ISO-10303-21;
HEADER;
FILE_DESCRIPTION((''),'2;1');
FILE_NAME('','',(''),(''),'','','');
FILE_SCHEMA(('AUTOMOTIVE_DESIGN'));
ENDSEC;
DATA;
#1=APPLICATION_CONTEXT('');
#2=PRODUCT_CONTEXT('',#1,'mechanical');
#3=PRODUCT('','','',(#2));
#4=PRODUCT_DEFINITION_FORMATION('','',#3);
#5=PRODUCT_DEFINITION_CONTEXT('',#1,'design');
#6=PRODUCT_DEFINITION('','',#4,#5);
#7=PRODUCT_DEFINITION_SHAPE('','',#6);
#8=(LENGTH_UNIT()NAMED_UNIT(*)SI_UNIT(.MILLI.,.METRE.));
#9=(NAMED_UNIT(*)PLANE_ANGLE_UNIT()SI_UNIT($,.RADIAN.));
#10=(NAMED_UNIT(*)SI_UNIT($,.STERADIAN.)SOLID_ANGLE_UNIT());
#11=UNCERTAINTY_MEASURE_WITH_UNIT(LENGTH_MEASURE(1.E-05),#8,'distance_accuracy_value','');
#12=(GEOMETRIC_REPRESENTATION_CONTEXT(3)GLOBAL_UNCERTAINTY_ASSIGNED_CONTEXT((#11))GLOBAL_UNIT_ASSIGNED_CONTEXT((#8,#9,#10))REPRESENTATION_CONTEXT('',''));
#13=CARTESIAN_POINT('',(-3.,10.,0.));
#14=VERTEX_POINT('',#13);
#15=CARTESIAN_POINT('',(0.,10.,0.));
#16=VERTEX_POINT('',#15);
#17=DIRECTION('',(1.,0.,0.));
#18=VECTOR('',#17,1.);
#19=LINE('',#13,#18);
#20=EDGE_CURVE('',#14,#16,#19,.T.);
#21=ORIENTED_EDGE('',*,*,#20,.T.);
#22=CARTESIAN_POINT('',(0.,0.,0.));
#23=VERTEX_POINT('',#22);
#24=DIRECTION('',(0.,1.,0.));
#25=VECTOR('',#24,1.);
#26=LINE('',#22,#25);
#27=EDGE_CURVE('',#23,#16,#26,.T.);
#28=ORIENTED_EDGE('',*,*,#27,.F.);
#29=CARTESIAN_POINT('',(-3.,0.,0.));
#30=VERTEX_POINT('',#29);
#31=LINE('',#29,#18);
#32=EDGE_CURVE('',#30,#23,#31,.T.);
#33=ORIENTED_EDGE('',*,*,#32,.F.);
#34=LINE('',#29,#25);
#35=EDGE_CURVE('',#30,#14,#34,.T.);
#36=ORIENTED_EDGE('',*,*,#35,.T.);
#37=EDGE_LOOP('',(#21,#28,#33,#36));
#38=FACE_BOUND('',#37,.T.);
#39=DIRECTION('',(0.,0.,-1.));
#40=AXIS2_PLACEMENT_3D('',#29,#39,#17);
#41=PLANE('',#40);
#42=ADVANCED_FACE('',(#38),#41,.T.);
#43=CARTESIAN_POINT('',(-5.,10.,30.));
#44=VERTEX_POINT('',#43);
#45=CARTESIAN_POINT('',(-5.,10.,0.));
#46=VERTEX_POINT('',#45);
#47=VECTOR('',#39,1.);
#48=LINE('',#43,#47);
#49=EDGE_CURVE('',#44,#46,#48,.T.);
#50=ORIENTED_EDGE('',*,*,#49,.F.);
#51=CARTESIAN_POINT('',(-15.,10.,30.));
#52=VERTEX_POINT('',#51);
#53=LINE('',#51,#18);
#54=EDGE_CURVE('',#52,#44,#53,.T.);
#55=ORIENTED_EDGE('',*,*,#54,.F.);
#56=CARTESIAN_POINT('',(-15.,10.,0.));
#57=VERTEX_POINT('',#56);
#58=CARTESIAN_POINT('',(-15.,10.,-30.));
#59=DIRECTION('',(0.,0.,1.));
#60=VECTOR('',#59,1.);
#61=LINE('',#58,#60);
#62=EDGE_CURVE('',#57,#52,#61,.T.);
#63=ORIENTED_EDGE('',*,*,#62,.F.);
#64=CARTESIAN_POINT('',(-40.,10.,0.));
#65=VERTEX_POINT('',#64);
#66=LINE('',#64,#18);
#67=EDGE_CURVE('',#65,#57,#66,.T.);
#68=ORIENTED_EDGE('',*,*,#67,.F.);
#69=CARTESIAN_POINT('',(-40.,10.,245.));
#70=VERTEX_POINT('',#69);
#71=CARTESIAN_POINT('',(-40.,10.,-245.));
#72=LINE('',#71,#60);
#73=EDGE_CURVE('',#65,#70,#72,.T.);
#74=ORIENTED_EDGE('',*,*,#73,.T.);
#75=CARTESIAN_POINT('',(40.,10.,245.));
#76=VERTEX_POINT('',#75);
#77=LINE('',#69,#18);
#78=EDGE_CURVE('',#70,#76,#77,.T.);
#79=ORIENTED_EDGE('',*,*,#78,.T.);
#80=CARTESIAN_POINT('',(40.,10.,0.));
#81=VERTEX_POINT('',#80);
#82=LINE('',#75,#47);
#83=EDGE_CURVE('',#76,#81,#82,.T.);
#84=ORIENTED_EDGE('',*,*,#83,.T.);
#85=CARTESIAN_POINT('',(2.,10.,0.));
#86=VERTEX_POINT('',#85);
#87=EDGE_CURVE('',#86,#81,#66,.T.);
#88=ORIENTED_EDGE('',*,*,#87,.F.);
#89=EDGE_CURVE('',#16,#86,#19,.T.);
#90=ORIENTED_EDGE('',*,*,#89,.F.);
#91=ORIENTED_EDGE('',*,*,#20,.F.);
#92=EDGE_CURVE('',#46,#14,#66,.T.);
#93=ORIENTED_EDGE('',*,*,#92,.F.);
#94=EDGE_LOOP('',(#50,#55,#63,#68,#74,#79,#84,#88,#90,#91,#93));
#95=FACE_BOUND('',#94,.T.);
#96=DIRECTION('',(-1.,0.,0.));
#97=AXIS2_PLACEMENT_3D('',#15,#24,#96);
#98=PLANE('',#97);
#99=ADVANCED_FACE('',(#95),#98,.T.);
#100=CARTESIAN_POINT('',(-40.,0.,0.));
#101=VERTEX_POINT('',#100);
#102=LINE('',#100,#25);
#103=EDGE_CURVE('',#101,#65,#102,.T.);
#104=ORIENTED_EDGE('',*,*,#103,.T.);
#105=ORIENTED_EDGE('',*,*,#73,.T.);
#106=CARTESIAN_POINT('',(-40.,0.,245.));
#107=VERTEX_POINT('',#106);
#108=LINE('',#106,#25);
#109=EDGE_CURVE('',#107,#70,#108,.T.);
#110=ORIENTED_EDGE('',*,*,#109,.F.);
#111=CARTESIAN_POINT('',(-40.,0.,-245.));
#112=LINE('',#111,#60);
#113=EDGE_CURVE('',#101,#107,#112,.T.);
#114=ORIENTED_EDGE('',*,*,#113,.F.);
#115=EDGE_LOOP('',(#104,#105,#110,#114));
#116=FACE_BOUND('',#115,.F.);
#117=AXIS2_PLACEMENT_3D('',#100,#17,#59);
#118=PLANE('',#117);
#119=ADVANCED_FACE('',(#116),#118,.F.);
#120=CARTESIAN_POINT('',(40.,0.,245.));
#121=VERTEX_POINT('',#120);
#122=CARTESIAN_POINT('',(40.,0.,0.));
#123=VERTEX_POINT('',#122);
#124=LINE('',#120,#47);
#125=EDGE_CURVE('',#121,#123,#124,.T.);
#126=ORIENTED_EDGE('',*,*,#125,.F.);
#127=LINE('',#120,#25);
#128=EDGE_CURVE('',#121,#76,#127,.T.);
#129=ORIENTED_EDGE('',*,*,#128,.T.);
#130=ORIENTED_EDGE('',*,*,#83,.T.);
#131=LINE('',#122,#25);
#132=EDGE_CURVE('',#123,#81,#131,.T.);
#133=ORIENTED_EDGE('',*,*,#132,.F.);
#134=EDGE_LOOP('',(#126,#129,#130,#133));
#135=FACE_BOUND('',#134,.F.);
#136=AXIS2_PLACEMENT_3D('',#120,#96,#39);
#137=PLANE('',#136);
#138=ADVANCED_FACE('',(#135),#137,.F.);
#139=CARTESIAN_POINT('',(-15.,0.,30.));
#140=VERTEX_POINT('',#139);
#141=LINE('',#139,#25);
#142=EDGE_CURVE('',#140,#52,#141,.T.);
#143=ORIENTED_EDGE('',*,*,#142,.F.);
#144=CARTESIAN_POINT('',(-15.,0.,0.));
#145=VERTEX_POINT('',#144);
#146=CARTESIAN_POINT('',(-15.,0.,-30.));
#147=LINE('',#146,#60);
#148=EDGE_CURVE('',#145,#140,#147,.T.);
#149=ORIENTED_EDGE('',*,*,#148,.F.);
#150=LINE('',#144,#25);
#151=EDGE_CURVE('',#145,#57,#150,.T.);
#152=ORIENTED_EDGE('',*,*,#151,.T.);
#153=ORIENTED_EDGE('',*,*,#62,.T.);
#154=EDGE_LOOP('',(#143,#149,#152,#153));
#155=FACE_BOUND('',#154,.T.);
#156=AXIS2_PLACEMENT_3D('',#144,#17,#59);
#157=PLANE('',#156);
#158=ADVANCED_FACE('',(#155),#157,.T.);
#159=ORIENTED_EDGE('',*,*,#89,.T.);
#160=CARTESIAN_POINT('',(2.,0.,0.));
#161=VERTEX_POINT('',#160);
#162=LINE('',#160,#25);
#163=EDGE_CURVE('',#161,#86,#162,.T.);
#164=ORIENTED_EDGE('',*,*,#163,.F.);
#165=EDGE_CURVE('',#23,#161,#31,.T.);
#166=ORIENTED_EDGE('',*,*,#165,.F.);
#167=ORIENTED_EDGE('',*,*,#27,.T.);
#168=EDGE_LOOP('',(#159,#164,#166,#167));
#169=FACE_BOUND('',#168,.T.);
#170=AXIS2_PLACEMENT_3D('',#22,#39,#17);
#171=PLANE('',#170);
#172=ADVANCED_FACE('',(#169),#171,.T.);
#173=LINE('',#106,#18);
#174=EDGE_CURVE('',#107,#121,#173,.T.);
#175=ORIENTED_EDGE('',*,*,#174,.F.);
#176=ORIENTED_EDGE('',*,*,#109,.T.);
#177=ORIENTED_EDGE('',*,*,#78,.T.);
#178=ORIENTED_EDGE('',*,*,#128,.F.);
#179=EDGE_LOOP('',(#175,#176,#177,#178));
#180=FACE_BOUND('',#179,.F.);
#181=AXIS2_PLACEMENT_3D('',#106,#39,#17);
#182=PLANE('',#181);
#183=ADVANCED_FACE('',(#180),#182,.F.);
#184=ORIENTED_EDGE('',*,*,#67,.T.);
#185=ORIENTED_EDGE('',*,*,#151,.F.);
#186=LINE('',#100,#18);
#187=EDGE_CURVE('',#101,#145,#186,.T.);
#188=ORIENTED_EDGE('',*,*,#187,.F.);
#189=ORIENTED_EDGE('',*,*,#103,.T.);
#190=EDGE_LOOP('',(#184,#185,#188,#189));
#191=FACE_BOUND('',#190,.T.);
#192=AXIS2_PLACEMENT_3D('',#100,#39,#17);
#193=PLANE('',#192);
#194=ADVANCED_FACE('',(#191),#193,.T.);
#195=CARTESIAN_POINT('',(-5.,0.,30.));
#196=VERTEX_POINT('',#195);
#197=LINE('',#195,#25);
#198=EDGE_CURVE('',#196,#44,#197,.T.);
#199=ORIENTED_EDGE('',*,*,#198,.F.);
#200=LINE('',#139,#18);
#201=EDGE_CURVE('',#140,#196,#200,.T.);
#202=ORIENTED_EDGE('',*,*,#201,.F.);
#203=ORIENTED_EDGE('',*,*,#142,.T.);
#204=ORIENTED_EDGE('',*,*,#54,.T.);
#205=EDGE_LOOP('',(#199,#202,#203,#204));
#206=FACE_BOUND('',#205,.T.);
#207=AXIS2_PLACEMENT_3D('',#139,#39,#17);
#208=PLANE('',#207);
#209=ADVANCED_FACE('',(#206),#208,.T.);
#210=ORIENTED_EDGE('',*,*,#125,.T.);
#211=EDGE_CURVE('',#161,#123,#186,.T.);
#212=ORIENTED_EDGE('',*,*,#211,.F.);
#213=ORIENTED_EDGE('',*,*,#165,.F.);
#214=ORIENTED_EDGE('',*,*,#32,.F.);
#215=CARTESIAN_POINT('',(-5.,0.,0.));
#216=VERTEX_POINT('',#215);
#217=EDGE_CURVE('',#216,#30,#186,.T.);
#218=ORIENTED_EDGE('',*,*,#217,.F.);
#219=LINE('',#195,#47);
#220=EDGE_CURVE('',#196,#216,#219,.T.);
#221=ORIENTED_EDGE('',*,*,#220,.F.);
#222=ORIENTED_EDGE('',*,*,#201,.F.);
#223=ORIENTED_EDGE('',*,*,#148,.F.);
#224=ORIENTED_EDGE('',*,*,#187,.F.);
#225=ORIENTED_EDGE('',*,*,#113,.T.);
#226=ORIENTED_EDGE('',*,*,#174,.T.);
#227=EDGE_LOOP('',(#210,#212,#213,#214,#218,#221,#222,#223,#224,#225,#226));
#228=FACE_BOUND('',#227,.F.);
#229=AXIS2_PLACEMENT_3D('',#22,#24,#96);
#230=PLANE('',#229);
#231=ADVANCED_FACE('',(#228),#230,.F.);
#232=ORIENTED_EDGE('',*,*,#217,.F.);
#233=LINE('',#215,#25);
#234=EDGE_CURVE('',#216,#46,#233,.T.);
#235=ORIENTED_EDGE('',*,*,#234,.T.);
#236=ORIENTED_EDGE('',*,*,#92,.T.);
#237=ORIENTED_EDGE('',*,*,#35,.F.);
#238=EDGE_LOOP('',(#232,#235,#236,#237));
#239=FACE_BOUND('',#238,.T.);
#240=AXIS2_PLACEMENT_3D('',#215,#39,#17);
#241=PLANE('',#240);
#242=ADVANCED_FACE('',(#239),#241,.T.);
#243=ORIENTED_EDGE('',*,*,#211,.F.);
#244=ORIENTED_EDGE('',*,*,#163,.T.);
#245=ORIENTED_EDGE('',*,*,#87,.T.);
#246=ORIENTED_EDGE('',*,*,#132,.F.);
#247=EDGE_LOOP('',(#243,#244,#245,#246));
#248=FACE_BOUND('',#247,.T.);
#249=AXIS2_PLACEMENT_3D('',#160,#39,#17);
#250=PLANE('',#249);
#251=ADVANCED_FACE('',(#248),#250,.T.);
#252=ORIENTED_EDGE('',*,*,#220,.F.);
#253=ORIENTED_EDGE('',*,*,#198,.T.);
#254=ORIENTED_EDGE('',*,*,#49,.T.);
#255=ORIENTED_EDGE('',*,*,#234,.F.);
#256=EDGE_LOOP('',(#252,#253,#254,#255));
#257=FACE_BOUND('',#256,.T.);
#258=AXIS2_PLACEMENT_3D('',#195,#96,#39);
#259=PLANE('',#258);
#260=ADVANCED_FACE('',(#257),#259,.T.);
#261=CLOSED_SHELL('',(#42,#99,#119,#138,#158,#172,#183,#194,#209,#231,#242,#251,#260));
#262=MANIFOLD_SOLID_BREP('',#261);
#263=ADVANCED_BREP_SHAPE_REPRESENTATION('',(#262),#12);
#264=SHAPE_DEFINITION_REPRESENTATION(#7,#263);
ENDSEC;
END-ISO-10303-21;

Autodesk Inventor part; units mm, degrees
ref_plane "YZ Plane" through (0, 0, 0) normal (1, 0, 0) x (0, 1, 0)
ref_plane "XZ Plane" through (0, 0, 0) normal (0, 1, 0) x (-1, 0, 0)
ref_plane "XY Plane" through (0, 0, 0) normal (0, 0, 1) x (1, 0, 0)
sketch "草图1" plane through (0, 0, 0) normal (0, 1, 0) x (-1, 0, 0)
  line L0 (40, 245) -> (-40, 245)
  line L1 (-40, 245) -> (-40, -245)
  line L2 (-40, -245) -> (40, -245)
  line L3 (40, -245) -> (40, 245)
  line L4 (0, 5.532) -> (0, -5.7915)
  line L5 (3, 0) -> (-2, 0)
  line L6 (40, 0) -> (-40, 0)
  line L7 (15, 30) -> (5, 30)
  line L8 (5, 30) -> (5, -30)
  line L9 (5, -30) -> (15, -30)
  line L10 (15, -30) -> (15, 30)
  point P0 (0, 0)
  point P1 (0, 0)
  point P2 (0, 0)
  point P3 (-2, 0)
  point P4 (5, 0)
  point P5 (15, 0)
  dimension "d0" = 80
  dimension "d1" = 490
  dimension "d2" = 10
  dimension "d3" = 60
  dimension "d4" = 25
extrude "拉伸1" add sketch "草图1" along normal blind 10 contours L3 L6 L10 L7 L8 L5 L1 L0
properties part number "back_1"
